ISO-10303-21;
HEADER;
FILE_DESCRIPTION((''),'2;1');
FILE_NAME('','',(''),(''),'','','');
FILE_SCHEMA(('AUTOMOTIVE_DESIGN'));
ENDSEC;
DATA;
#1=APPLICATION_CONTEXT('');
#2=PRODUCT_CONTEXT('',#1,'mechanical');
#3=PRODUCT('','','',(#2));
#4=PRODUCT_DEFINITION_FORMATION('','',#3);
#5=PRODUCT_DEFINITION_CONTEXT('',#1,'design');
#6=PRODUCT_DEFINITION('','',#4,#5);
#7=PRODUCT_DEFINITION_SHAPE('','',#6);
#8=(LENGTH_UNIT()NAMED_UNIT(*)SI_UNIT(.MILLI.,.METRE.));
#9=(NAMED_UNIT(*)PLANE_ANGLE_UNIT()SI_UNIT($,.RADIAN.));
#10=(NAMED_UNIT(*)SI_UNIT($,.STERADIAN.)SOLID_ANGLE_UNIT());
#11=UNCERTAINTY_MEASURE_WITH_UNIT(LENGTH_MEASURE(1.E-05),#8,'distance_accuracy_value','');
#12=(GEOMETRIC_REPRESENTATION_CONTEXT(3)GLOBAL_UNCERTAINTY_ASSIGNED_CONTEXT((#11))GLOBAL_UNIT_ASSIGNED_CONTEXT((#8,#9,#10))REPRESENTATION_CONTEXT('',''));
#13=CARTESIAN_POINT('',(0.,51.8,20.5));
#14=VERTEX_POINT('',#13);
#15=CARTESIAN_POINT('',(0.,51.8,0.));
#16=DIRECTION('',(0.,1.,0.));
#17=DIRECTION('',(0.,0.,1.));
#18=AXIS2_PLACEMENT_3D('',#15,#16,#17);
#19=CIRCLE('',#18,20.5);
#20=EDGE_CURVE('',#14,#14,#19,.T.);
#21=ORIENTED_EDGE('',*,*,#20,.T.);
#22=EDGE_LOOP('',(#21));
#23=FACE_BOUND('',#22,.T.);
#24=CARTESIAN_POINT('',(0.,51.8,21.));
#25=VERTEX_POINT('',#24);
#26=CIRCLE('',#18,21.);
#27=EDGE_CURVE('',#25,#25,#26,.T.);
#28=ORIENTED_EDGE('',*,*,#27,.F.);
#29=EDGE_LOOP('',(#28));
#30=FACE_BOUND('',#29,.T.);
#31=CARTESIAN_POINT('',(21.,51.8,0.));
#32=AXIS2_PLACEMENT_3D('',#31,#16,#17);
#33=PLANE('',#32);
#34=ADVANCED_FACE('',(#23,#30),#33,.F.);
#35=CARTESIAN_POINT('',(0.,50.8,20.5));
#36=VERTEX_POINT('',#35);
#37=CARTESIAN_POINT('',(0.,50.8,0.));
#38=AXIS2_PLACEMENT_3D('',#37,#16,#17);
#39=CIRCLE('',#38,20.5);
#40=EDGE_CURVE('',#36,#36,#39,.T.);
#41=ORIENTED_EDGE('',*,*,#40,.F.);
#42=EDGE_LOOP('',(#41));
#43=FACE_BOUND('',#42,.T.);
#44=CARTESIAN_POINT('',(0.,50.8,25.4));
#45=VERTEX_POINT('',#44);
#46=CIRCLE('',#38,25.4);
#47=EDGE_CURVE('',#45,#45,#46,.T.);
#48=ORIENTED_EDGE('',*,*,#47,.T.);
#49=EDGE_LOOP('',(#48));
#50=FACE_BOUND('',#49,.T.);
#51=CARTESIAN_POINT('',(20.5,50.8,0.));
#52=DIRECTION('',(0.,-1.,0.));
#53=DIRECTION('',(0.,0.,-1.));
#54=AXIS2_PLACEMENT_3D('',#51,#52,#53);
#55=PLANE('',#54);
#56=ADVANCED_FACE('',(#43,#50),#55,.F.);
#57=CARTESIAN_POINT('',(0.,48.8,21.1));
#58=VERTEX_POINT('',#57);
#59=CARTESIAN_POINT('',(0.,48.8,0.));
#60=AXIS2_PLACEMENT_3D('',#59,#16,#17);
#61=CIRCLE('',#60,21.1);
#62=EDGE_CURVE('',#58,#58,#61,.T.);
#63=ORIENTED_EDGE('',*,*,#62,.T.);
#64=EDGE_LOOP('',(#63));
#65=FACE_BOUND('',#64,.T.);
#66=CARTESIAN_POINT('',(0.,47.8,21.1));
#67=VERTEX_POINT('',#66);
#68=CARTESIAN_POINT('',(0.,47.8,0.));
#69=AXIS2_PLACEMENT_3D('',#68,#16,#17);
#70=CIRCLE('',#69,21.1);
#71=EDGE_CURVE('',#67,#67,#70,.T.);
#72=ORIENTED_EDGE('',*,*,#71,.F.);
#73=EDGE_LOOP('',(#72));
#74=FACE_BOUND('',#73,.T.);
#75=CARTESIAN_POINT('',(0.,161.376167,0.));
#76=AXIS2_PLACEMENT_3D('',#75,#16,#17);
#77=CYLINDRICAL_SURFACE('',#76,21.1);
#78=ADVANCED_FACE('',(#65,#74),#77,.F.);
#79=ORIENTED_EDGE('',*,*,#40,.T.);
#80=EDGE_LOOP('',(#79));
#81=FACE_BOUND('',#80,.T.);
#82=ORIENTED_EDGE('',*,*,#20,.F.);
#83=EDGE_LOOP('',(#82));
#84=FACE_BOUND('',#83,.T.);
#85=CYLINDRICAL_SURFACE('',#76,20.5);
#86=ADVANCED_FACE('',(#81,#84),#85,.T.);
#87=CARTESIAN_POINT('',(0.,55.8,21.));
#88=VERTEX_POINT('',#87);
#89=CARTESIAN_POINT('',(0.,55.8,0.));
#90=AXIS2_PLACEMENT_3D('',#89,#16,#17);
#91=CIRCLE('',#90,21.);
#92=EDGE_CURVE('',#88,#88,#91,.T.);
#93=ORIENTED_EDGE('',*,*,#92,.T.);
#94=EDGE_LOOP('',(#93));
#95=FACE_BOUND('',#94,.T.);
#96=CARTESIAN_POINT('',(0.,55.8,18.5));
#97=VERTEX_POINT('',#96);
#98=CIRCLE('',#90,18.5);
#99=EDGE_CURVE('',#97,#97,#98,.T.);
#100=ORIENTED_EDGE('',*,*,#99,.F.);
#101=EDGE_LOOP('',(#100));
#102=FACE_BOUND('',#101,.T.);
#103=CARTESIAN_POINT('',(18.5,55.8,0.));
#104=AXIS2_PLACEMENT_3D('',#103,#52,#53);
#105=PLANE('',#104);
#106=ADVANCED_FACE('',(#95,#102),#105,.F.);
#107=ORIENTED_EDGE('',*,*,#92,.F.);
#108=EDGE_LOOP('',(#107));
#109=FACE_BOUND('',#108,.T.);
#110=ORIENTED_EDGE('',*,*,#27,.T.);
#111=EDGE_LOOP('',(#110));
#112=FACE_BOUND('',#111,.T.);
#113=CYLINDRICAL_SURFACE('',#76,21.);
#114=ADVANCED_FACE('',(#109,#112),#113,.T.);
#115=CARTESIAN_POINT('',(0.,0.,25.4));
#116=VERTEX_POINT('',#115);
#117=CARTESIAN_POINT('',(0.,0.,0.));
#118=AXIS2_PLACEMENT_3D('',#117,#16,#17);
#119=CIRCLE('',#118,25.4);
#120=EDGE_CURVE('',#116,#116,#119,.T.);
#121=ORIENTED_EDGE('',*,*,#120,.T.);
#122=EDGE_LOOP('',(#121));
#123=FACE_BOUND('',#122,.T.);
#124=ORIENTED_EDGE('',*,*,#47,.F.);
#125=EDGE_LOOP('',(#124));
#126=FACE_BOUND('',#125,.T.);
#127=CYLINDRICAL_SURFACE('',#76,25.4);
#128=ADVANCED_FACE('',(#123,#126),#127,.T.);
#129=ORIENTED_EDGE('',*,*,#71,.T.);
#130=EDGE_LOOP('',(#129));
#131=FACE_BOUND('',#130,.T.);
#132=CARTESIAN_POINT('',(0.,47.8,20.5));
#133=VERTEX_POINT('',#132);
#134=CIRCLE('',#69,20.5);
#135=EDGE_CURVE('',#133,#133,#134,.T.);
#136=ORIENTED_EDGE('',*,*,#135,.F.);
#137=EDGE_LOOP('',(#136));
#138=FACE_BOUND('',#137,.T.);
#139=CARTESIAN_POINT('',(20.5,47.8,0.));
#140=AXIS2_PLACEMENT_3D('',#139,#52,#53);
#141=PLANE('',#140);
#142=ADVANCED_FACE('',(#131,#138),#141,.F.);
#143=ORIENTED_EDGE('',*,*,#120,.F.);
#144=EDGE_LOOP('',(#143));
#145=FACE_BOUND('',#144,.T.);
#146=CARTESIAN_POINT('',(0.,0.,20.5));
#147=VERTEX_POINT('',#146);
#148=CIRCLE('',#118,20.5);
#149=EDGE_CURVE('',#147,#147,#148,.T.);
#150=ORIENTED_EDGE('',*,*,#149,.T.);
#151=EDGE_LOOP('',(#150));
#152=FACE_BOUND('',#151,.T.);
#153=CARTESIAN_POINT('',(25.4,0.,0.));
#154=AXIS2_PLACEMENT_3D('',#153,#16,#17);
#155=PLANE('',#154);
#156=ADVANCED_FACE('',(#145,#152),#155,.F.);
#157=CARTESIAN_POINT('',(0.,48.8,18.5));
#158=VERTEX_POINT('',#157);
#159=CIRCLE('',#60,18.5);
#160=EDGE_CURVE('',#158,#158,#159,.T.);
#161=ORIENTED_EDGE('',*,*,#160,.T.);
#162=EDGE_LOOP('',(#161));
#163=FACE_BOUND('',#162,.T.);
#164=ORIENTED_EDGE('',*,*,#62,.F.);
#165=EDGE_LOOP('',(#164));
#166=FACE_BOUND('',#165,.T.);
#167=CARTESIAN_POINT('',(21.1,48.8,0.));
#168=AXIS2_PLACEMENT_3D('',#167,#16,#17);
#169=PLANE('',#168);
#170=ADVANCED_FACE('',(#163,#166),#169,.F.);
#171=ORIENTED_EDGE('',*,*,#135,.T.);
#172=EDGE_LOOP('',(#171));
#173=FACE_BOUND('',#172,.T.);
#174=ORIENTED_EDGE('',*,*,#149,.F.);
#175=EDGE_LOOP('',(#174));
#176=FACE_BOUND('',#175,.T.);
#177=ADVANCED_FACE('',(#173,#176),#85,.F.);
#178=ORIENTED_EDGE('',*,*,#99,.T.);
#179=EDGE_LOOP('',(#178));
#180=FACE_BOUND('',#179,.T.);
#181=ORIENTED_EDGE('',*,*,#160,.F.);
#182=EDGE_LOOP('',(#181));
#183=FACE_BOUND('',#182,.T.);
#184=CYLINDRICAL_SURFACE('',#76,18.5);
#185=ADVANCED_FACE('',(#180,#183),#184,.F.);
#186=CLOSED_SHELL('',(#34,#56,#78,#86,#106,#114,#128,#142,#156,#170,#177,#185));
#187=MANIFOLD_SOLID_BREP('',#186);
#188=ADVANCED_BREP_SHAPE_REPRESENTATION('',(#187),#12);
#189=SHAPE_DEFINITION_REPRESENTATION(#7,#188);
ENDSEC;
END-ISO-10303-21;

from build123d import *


with BuildPart() as part:
    # 草图1 → 旋转1 (revolve)
    with BuildSketch(Plane.XY, mode=Mode.PRIVATE) as revolve_1_sk:
        Polygon((18.5, 55.8), (21, 55.8), (21, 51.8), (20.5, 51.8), (20.5, 50.8), (25.4, 50.8), (25.4, 0), (20.5, 0), (20.5, 47.8), (21.1, 47.8), (21.1, 48.8), (18.5, 48.8), align=None)
    revolve(revolve_1_sk.sketch.rotate(Axis((0, 161.376166943, 0), (0, -1, 0)), 90), axis=Axis((0, 161.376166943, 0), (0, -1, 0)))  # turned: the seam where the file's is


solid = part.part
